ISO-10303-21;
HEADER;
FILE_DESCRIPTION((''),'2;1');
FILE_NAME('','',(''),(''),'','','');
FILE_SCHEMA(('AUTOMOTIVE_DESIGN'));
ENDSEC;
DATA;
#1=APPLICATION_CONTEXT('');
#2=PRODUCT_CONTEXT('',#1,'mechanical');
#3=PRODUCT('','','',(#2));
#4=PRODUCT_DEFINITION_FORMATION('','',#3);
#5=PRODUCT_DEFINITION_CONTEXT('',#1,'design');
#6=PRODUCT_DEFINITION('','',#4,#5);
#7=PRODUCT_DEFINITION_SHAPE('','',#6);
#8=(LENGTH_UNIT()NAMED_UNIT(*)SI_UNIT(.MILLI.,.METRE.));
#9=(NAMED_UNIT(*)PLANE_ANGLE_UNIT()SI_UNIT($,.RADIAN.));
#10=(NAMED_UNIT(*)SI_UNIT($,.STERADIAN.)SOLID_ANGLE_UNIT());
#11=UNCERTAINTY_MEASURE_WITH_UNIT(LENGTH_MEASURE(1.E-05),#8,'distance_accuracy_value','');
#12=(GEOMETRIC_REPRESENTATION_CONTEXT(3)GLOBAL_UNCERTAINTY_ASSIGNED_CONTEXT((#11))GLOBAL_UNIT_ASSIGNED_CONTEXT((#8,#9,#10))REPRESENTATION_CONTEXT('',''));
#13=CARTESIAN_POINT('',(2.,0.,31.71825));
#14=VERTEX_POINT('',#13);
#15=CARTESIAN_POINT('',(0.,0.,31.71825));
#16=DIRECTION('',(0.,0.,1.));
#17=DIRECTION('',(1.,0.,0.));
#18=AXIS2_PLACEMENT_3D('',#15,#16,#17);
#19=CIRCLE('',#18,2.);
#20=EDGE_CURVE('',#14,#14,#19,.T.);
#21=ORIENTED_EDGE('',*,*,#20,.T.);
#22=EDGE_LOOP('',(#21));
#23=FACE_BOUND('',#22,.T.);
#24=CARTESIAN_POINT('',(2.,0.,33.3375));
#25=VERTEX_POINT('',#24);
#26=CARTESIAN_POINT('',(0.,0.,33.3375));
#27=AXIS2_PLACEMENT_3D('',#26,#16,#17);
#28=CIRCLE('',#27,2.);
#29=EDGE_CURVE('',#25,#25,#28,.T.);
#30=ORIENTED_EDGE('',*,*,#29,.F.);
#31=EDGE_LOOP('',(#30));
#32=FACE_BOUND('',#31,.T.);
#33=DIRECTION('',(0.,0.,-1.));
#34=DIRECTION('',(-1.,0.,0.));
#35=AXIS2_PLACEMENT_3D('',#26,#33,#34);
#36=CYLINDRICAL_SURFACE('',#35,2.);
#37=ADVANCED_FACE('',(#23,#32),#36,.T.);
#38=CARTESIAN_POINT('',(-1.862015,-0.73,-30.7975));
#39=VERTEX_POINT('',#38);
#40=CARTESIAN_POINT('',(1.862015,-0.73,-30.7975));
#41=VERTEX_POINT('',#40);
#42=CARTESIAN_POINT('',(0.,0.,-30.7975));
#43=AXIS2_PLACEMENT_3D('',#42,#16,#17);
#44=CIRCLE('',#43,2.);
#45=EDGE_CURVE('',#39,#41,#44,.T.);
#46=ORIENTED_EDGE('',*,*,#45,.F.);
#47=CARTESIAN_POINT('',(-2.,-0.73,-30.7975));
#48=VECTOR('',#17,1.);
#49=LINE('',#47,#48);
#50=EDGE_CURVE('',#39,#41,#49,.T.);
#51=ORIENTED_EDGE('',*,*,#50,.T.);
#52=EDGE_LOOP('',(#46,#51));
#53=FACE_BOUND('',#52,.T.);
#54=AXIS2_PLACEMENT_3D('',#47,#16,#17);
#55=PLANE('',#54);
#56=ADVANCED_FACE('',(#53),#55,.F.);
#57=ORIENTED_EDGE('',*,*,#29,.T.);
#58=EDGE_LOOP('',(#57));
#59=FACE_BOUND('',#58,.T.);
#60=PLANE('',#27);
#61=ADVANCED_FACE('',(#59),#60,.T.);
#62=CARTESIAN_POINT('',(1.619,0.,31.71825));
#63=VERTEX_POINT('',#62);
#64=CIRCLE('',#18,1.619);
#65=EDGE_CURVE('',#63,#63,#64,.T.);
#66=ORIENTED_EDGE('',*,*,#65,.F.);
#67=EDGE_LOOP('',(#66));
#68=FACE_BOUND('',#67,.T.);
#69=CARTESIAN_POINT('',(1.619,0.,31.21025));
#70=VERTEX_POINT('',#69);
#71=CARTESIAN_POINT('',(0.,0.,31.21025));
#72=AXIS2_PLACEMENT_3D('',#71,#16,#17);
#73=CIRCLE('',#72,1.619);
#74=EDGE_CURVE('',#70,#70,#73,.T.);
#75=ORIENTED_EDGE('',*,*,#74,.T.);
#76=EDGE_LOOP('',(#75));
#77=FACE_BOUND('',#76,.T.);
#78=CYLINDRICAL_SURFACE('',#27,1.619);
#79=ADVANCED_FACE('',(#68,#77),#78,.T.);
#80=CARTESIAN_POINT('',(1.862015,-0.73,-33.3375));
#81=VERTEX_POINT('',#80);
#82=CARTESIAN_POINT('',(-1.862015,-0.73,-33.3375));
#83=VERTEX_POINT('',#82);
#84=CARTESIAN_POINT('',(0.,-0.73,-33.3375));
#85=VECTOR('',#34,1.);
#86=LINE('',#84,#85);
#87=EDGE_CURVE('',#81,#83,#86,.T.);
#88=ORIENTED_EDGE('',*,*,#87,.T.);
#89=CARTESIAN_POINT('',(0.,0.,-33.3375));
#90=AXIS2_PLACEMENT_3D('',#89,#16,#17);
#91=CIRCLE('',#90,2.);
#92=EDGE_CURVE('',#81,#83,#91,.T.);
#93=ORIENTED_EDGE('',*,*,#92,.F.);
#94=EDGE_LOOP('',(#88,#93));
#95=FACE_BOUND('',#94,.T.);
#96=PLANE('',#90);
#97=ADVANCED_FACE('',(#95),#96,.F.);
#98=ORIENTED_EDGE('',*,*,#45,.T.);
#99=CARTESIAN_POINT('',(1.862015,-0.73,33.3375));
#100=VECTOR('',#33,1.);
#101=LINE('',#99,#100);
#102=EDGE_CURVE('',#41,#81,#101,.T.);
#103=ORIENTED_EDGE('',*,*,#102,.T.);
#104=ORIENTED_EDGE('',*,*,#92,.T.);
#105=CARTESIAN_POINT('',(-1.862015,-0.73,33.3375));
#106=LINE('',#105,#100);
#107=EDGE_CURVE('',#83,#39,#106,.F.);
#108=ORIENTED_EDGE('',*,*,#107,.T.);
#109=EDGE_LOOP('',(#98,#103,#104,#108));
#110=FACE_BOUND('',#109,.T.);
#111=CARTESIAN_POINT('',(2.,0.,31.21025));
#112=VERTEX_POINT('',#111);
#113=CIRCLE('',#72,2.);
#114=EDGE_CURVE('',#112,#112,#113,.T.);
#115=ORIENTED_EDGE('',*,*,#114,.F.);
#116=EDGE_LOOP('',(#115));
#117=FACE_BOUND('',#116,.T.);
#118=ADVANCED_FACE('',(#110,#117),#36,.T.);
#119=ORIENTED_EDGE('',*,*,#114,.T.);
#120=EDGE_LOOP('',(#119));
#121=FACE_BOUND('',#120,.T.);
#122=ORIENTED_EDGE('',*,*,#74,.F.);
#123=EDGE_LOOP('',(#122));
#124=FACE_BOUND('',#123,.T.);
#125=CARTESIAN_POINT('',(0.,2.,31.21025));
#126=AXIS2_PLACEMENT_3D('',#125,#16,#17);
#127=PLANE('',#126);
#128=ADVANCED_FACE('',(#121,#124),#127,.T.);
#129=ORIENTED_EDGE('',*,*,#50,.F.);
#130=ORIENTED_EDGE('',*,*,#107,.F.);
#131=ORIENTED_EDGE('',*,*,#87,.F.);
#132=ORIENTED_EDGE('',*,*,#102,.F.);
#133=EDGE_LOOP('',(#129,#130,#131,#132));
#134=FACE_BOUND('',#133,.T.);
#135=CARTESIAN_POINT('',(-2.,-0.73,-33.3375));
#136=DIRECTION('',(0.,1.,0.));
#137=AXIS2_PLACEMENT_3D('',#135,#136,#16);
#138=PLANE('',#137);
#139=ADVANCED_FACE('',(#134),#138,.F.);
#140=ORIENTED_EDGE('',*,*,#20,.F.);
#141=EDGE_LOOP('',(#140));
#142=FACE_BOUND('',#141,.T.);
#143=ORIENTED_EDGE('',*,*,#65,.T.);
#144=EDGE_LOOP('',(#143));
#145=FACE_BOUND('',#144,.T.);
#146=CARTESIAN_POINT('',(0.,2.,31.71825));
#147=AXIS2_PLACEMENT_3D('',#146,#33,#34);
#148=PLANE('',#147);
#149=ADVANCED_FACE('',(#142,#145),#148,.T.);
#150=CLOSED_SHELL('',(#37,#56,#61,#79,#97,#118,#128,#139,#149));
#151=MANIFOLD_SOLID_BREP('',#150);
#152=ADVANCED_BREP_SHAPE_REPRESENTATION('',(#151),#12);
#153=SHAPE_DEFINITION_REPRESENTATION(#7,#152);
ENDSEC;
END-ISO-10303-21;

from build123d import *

# Parameters (mm, degrees)
SKETCH1_R               = 2
BOSS_EXTRUDE1_DEPTH     = 33.3375
SKETCH2_W               = 0.508
SKETCH2_H               = 0.381
CUT_EXTRUDE1_DEPTH      = 34.457269856
CUT_EXTRUDE1_DEPTH_BACK = 34.457269856
SKETCH3_W               = 2.54
SKETCH3_H               = 1.27


with BuildPart() as part:
    # Sketch1 → Boss-Extrude1 (new, symmetric)
    with BuildSketch(Plane.XY):
        Circle(SKETCH1_R)
    extrude(amount=BOSS_EXTRUDE1_DEPTH, both=True)

    # Sketch2 → Cut-Revolve1 (revolve, cut)
    with BuildSketch(Plane(origin=(0, 0, 0), x_dir=(0, 0, -1), z_dir=(1, 0, 0)), mode=Mode.PRIVATE) as cut_revolve1_sk:
        with Locations((-31.46425, 1.8095)):
            Rectangle(SKETCH2_W, SKETCH2_H)
    revolve(cut_revolve1_sk.sketch.rotate(Axis((0, 0, 33.3375), (0, 0, -1)), 90), axis=Axis((0, 0, 33.3375), (0, 0, -1)), mode=Mode.SUBTRACT)

    # Sketch3 → Cut-Extrude1 (cut, two sides: drawn at the far end of the back side and taken through both)
    with BuildSketch(Plane(origin=(0, 0, 0), x_dir=(0, 0, -1), z_dir=(1, 0, 0)).offset(-CUT_EXTRUDE1_DEPTH_BACK)):
        with Locations((32.0675, -1.365)):
            Rectangle(SKETCH3_W, SKETCH3_H)
    extrude(amount=CUT_EXTRUDE1_DEPTH + CUT_EXTRUDE1_DEPTH_BACK, mode=Mode.SUBTRACT)


solid = part.part
